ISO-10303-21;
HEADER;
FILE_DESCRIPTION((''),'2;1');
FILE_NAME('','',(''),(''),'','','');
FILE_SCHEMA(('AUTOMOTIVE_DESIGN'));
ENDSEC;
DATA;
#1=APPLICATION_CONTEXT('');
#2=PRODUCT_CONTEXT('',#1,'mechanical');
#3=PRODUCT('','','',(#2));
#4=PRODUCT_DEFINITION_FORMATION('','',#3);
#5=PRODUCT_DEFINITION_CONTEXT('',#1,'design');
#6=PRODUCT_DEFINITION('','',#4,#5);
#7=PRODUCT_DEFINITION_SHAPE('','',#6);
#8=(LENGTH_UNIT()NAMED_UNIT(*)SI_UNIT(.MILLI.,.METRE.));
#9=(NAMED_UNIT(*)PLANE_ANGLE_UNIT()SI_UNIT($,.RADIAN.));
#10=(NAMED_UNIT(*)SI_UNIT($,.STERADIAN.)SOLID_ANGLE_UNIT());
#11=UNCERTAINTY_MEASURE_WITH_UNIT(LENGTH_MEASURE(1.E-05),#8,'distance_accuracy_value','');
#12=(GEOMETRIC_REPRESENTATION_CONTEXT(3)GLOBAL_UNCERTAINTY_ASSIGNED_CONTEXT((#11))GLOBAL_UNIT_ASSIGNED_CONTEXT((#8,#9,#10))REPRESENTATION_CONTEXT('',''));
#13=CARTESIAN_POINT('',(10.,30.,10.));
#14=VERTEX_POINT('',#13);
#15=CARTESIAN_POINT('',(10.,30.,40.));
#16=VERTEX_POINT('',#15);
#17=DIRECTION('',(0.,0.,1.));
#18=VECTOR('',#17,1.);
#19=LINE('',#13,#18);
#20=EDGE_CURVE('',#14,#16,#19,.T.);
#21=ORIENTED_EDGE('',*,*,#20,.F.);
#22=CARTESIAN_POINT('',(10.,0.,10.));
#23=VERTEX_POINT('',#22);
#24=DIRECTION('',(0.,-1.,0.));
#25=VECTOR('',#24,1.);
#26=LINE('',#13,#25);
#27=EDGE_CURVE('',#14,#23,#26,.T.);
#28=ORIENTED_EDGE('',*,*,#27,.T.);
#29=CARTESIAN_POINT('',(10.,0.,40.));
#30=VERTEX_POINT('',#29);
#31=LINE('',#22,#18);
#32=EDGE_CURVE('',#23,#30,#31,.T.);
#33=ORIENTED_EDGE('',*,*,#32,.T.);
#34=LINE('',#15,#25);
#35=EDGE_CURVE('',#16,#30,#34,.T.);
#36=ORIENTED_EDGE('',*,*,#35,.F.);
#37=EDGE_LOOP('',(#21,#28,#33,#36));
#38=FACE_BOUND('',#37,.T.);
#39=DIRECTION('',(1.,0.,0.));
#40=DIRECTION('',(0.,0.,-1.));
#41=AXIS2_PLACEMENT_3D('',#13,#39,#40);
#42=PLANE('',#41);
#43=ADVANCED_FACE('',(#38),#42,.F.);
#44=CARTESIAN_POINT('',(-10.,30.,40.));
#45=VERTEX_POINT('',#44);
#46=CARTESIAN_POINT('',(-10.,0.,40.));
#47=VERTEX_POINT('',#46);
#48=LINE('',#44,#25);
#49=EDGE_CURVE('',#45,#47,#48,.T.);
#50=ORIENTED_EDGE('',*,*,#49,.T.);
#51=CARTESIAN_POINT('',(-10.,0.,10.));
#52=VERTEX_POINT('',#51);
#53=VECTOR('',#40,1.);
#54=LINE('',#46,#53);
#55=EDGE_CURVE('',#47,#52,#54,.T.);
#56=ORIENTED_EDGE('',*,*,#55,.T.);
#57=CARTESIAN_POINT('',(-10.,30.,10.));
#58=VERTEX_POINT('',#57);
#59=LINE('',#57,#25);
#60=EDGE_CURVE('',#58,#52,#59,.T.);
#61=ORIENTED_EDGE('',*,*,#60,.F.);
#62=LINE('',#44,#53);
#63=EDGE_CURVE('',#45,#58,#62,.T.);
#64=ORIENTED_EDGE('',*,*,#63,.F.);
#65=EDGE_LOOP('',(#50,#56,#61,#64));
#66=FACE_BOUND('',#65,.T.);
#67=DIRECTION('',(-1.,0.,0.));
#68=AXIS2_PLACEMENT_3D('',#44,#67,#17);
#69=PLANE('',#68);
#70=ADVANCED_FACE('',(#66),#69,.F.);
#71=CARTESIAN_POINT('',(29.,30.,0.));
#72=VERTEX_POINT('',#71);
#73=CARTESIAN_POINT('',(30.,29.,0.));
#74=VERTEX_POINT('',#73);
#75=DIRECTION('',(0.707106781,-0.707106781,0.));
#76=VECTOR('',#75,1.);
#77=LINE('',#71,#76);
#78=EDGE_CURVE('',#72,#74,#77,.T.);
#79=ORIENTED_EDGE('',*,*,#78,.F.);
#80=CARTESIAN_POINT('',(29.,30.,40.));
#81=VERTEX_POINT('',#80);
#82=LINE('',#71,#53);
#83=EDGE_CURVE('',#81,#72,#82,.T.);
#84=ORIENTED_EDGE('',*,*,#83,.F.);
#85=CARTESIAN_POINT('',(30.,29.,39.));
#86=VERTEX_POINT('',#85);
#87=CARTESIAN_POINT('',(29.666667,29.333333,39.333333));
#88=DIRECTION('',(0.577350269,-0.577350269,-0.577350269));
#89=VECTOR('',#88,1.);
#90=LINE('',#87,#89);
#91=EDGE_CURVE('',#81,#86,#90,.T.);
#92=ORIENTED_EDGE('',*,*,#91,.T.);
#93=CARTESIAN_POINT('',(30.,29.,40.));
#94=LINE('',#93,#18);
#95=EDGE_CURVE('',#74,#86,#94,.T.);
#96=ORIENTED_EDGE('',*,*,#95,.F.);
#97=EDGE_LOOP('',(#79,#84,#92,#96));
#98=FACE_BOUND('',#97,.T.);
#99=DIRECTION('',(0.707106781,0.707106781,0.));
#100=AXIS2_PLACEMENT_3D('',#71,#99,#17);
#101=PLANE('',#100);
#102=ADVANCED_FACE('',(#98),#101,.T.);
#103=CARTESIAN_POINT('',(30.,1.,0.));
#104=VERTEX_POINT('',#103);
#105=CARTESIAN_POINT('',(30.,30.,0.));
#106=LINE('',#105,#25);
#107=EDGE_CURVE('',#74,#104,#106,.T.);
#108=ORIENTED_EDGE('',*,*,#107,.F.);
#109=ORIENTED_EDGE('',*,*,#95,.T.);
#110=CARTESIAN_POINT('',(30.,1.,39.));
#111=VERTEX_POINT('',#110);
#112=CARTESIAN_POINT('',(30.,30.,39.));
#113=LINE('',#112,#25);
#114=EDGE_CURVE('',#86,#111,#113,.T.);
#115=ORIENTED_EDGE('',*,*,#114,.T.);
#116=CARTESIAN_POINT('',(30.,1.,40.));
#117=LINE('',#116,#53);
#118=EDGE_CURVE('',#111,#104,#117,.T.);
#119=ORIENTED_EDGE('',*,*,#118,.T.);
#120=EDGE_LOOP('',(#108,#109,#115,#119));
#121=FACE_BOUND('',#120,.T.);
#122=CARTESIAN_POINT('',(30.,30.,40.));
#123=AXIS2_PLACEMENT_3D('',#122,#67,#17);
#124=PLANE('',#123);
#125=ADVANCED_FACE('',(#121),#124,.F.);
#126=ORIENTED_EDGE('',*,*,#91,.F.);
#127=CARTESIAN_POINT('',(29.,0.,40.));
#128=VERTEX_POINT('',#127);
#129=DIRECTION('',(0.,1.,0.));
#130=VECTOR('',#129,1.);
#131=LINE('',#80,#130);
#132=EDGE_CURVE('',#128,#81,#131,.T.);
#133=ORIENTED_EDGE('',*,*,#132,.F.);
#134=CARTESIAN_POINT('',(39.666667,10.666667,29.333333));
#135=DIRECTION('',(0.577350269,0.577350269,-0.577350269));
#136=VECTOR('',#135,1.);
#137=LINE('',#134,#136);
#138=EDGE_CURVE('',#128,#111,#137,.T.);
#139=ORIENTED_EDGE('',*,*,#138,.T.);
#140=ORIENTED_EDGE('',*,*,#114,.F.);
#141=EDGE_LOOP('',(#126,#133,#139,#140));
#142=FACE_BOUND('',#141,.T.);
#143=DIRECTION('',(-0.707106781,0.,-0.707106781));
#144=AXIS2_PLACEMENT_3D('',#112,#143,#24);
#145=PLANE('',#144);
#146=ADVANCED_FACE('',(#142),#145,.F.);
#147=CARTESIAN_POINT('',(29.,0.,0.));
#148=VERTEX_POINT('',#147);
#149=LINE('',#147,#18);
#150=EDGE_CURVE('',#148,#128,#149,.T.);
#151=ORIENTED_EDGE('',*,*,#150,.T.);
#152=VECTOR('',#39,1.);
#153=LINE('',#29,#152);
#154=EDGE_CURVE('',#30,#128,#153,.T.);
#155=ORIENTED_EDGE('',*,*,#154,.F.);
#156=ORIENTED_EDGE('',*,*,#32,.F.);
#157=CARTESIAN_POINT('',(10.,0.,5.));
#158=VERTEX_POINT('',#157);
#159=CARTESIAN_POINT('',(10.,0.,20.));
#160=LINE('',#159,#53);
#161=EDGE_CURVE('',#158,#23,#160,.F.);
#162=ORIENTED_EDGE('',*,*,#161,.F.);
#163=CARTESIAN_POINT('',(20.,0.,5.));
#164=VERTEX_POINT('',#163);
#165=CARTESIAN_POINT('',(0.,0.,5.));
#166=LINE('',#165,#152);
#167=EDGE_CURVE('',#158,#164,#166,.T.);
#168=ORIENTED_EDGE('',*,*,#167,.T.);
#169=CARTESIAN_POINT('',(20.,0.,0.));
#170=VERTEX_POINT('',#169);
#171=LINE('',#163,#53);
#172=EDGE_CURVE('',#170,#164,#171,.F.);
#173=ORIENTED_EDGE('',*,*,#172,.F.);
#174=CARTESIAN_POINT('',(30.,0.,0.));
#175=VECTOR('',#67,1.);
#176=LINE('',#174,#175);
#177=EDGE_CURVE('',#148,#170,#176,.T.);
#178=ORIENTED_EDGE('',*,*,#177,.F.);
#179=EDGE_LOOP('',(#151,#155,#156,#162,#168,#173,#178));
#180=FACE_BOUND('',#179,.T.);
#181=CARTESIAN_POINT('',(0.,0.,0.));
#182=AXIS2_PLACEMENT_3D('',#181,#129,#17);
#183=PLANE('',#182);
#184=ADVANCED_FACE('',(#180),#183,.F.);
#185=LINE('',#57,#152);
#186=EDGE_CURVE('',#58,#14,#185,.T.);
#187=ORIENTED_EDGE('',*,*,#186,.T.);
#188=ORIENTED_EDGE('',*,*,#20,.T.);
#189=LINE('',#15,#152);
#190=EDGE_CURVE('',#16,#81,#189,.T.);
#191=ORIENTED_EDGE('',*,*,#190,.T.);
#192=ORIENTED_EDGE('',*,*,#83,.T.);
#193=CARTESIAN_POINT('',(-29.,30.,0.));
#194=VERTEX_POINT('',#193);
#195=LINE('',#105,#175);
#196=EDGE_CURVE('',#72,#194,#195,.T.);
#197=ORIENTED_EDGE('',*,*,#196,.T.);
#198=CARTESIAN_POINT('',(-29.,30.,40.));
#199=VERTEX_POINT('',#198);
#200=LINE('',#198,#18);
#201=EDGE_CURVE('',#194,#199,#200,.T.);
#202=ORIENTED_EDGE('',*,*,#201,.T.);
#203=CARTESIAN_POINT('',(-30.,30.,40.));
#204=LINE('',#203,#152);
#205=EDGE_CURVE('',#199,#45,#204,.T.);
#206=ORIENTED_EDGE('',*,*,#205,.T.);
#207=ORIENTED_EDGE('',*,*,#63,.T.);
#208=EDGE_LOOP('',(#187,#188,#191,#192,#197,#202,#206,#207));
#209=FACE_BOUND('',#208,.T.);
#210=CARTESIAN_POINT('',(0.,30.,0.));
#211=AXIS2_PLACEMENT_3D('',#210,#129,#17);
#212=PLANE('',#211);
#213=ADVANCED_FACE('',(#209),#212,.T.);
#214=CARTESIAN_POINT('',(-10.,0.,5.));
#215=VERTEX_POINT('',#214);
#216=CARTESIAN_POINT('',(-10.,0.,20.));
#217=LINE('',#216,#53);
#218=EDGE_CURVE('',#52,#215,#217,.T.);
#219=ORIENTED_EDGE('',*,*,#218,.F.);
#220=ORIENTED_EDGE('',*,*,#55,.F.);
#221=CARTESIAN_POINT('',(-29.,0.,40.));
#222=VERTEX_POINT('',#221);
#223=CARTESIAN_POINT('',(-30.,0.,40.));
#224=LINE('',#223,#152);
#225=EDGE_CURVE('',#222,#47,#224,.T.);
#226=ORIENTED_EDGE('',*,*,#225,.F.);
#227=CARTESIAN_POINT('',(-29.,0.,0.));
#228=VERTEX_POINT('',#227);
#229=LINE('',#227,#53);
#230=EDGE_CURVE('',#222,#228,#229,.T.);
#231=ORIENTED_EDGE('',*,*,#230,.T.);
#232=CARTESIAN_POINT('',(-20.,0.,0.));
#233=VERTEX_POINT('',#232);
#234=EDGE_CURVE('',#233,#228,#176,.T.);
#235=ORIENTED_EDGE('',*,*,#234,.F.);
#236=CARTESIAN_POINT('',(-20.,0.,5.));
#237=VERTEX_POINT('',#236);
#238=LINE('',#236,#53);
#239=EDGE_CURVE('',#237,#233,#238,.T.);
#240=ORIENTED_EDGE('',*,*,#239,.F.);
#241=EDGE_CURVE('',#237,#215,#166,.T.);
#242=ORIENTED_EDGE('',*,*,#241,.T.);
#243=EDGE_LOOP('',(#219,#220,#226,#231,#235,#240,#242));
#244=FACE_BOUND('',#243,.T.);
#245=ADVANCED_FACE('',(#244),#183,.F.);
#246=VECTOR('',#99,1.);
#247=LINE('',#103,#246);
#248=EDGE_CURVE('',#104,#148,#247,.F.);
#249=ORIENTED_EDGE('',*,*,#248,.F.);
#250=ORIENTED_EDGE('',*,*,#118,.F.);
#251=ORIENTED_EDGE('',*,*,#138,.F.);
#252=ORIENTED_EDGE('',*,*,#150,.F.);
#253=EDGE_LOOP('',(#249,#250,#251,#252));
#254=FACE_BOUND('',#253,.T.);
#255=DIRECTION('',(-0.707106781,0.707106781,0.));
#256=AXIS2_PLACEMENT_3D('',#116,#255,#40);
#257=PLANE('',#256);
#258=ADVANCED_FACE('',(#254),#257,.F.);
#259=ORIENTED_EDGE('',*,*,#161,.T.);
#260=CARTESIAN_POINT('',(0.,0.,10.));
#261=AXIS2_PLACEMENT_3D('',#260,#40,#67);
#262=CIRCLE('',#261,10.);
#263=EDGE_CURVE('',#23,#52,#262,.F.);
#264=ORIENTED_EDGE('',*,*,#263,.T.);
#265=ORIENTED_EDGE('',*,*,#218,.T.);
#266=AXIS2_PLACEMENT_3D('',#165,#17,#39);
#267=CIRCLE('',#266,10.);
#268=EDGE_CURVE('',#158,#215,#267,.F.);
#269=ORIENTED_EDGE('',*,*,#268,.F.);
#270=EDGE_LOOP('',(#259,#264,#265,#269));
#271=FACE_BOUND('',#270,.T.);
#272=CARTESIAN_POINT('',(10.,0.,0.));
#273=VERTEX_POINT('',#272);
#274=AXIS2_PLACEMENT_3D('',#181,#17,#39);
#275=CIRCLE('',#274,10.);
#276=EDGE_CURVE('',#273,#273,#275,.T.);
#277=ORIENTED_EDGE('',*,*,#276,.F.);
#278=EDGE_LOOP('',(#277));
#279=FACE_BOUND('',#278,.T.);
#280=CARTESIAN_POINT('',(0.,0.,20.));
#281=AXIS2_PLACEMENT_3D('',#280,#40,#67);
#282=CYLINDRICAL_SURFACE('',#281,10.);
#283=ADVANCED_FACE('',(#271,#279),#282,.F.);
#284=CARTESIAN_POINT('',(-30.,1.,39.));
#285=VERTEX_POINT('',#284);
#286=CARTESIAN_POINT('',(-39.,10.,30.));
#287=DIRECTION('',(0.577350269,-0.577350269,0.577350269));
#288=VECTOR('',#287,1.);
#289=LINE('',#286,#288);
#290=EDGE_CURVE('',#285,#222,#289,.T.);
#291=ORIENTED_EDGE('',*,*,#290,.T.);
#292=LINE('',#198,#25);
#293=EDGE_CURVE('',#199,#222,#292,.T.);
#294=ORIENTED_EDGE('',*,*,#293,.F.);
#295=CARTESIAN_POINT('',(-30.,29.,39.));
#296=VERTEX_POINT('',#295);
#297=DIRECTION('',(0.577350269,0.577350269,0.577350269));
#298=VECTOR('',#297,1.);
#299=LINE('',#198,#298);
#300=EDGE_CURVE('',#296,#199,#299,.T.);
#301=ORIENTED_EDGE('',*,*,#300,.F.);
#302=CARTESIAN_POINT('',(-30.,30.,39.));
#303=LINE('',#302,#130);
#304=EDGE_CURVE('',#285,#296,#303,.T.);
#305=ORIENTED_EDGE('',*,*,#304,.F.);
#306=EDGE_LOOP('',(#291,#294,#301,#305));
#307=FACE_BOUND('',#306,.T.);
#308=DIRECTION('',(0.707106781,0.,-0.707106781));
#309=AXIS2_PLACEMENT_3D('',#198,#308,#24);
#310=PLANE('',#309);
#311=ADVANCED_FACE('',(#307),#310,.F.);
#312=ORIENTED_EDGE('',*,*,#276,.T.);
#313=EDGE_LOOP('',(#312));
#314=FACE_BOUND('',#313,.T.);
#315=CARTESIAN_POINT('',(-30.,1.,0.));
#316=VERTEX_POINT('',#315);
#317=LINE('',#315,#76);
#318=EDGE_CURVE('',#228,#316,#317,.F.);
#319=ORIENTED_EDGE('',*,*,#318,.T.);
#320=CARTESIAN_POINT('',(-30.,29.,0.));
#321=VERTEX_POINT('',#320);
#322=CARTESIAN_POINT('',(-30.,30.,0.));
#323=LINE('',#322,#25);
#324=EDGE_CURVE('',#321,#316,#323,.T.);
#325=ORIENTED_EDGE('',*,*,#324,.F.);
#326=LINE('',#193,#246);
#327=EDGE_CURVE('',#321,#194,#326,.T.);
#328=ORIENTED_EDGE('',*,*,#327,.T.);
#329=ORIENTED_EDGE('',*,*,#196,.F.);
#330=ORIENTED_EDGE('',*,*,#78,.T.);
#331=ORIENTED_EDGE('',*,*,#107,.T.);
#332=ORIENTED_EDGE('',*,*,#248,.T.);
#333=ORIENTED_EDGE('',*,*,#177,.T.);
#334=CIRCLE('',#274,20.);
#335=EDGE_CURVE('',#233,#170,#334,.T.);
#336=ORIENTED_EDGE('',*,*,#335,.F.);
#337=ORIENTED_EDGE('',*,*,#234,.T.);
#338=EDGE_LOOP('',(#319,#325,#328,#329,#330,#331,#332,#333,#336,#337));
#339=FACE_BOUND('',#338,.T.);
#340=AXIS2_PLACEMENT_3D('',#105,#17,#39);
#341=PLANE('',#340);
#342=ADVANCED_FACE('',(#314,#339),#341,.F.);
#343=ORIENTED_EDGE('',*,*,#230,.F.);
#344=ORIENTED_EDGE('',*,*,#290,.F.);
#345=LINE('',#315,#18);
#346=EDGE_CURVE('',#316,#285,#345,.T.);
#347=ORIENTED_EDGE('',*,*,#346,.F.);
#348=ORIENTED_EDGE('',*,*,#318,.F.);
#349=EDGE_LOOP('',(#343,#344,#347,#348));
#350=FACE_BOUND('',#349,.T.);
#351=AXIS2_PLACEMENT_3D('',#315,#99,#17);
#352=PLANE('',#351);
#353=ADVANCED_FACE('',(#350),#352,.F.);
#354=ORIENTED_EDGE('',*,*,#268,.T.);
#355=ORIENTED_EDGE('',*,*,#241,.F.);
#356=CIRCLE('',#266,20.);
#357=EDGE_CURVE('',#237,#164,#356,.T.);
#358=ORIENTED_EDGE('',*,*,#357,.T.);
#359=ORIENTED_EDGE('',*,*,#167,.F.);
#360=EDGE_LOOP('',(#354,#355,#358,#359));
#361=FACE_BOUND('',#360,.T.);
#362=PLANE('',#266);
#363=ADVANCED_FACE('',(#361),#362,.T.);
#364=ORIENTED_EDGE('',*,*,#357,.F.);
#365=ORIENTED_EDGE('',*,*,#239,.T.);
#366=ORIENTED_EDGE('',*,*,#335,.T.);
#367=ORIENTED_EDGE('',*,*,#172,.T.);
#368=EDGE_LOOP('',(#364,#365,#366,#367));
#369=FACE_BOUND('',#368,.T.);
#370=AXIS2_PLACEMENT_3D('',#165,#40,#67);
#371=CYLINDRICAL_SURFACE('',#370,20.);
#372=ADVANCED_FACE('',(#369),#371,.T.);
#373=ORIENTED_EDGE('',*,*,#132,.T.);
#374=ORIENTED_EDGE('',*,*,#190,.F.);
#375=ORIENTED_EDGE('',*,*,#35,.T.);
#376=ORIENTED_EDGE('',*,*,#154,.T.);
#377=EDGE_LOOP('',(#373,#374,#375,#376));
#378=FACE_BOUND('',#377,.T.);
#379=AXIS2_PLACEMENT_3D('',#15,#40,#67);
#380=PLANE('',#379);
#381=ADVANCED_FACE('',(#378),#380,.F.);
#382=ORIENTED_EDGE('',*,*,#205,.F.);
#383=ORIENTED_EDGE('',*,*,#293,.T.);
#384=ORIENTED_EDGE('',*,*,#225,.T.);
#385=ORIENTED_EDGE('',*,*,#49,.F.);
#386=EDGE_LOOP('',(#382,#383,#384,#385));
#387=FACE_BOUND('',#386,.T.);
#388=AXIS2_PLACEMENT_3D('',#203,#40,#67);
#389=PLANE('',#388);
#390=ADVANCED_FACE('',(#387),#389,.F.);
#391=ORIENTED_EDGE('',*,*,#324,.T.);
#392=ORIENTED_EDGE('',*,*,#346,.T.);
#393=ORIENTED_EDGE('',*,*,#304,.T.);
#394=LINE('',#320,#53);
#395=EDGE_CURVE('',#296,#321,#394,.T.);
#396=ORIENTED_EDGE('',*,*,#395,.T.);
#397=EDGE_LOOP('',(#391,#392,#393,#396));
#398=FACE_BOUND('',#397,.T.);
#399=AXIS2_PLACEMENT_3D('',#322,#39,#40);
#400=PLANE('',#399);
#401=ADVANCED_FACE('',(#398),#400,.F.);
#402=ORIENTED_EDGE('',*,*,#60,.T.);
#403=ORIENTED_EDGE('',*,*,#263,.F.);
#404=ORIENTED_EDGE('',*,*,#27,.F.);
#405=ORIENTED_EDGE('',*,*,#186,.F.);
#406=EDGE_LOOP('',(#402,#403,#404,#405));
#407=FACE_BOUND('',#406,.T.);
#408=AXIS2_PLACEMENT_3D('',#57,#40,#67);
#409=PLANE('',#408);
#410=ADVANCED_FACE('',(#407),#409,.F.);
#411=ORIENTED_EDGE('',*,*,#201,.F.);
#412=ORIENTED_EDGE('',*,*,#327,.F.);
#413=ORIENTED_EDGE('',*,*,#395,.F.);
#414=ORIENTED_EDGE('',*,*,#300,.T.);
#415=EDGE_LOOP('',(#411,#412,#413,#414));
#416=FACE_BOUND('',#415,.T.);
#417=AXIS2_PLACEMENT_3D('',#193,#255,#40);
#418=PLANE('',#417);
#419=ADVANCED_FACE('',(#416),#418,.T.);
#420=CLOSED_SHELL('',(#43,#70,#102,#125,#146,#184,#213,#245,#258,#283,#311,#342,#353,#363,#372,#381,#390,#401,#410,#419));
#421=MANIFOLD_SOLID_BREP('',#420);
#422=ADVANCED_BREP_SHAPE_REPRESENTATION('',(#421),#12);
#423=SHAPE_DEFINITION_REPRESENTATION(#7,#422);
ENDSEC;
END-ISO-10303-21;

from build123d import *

# Parameters (mm, degrees)
BOSS_EXTRUDE1_DEPTH = 30
SKETCH2_R           = 20
BOSS_EXTRUDE2_DEPTH = 5
SKETCH3_R           = 10
CUT_EXTRUDE1_DEPTH  = 20
CHAMFER1_SIZE       = 1


with BuildPart() as part:
    # Sketch1 → Boss-Extrude1 (new body)
    with BuildSketch(Plane(origin=(0, 0, 0), x_dir=(1, 0, 0), z_dir=(0, 1, 0))):
        Polygon((-30, 0), (-30, -40), (-10, -40), (-10, -10), (10, -10), (10, -40), (30, -40), (30, 0), align=None)
    extrude(amount=BOSS_EXTRUDE1_DEPTH)

    # Sketch2 → Boss-Extrude2 (add)
    with BuildSketch(Plane.XY):
        Circle(SKETCH2_R)
    extrude(amount=BOSS_EXTRUDE2_DEPTH)

    # Sketch3 → Cut-Extrude1 (cut)
    with BuildSketch(Plane.XY):
        Circle(SKETCH3_R)
    extrude(amount=CUT_EXTRUDE1_DEPTH, mode=Mode.SUBTRACT)

    # Chamfer1
    chamfer1_edges = [part.edges().sort_by_distance(p)[0] for p in [
        (-30, 0, 20),
        (30, 15, 40),
        (-30, 15, 40),
        (30, 30, 20),
        (30, 0, 20),
        (-30, 30, 20),
    ]]
    chamfer(chamfer1_edges, length=CHAMFER1_SIZE)


solid = part.part
